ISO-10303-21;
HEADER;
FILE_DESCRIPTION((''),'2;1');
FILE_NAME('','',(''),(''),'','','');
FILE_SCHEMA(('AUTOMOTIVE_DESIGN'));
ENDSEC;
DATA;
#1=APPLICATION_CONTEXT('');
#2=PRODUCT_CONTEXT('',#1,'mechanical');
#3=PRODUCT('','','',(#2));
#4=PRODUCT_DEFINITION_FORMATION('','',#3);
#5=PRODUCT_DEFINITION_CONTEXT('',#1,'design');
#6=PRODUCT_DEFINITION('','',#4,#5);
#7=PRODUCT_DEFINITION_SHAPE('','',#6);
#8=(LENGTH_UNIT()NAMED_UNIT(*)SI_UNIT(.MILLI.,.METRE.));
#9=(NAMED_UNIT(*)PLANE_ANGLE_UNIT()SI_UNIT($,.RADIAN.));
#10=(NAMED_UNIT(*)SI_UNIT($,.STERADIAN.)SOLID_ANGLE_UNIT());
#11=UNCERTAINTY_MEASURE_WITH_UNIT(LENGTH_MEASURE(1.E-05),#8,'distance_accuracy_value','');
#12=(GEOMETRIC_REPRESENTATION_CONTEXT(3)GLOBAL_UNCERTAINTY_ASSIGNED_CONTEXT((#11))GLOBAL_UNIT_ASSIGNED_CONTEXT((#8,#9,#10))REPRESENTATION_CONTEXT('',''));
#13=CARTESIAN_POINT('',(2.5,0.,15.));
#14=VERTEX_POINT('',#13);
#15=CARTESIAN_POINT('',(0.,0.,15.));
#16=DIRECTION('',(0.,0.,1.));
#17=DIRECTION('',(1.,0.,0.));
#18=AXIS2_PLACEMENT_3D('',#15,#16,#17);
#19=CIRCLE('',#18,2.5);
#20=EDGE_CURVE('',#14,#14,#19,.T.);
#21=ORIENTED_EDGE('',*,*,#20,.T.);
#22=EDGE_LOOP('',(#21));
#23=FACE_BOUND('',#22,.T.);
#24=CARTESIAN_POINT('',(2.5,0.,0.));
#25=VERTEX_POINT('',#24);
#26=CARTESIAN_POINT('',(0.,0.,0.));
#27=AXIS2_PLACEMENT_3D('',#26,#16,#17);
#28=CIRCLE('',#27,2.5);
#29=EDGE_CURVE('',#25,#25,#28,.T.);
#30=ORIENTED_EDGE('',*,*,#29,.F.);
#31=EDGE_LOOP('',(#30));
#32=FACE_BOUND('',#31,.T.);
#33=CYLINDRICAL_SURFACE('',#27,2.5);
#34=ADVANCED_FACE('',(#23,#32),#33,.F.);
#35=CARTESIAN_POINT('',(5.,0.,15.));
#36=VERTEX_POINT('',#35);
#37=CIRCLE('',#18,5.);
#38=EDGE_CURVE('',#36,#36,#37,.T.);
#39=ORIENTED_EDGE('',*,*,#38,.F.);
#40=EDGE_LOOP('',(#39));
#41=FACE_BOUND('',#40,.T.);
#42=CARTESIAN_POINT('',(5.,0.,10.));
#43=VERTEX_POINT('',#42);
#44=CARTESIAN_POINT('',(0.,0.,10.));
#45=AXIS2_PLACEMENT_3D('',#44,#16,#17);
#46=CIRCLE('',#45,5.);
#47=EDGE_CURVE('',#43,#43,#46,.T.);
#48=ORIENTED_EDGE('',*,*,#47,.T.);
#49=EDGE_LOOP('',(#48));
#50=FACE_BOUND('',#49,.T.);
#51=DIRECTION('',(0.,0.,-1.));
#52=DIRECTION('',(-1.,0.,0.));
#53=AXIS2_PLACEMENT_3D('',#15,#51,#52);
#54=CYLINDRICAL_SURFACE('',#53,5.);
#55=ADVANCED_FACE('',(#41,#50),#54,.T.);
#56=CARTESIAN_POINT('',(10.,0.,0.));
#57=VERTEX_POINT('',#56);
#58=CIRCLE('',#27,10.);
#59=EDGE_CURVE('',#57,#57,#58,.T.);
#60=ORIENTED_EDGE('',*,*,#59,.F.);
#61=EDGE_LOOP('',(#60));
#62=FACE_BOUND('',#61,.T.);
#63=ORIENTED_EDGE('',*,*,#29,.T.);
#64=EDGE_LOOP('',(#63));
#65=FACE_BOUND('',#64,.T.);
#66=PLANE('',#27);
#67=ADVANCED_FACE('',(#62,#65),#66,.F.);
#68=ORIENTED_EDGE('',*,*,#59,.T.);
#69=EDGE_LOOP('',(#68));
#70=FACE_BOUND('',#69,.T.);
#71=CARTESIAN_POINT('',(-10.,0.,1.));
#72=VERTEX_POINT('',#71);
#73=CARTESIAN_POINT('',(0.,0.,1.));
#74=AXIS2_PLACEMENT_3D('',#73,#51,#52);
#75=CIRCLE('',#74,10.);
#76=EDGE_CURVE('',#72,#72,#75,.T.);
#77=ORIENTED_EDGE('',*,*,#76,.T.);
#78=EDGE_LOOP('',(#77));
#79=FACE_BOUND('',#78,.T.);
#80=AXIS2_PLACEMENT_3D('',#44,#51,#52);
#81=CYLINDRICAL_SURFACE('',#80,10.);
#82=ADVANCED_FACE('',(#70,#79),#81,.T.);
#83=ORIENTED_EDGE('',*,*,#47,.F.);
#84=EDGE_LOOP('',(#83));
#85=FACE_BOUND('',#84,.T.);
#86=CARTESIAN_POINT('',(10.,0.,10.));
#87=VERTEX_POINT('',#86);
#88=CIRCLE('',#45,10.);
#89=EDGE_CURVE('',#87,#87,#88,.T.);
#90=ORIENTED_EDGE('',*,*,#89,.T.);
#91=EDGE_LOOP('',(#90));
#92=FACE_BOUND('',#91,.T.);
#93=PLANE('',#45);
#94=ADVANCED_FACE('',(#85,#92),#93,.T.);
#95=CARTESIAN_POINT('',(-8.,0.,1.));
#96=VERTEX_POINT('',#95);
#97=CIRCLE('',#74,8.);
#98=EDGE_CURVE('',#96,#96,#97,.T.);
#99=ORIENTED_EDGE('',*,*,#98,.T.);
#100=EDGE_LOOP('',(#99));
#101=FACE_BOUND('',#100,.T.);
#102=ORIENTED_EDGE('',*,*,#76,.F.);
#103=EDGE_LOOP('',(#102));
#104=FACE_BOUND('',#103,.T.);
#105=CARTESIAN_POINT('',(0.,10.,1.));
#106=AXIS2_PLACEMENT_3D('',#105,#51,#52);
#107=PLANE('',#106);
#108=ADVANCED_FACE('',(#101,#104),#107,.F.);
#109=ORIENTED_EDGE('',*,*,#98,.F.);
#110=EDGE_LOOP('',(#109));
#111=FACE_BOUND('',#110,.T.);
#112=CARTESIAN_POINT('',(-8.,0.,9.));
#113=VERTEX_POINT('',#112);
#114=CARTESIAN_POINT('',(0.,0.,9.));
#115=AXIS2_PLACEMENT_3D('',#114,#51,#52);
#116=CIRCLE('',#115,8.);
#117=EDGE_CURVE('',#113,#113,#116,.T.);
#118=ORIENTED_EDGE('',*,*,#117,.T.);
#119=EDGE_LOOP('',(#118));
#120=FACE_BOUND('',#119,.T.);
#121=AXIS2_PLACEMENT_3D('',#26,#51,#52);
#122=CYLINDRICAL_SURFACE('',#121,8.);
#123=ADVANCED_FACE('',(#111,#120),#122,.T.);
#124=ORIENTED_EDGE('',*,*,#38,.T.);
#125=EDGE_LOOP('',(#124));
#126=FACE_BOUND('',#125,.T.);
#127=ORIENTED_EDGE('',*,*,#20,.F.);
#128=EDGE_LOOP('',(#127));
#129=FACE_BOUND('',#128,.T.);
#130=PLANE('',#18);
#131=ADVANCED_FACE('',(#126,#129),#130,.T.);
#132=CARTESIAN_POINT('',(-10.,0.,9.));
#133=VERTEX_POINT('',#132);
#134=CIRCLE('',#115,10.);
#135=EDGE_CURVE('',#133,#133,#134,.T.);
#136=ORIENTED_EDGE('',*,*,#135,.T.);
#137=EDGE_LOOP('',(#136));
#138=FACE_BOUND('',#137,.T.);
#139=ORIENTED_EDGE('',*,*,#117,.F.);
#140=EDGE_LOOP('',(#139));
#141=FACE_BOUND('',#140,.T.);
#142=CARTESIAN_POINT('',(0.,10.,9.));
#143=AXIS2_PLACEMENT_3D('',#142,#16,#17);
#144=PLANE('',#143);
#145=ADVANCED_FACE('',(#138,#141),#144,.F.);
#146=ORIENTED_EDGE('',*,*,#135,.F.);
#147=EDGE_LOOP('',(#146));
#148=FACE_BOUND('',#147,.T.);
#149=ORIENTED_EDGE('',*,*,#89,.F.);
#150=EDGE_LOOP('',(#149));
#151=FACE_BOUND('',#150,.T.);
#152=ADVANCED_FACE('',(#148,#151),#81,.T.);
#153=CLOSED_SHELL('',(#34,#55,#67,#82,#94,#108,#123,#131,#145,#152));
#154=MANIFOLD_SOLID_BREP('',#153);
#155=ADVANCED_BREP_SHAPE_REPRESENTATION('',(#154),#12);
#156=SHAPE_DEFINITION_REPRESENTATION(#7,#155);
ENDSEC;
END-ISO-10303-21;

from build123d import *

# Parameters (mm, degrees)
ESQUISSE1_R             = 10
BOSS_EXTRU_1_DEPTH      = 10
ESQUISSE2_R             = 5
BOSS_EXTRU_2_DEPTH      = 5
ESQUISSE3_R             = 2.5
ENL_V_MAT_EXTRU_1_DEPTH = 16
ESQUISSE4_W             = 8
ESQUISSE4_H             = 2


with BuildPart() as part:
    # Esquisse1 → Boss.-Extru.1 (new body)
    with BuildSketch(Plane.XY):
        Circle(ESQUISSE1_R)
    extrude(amount=BOSS_EXTRU_1_DEPTH)

    # Esquisse2 → Boss.-Extru.2 (add)
    with BuildSketch(Plane.XY.offset(10)):
        Circle(ESQUISSE2_R)
    extrude(amount=BOSS_EXTRU_2_DEPTH)

    # Esquisse3 → Enlèv. mat.-Extru.1 (cut, through all)
    with BuildSketch(Plane.XY.offset(15)):
        Circle(ESQUISSE3_R)
    extrude(amount=-ENL_V_MAT_EXTRU_1_DEPTH, mode=Mode.SUBTRACT)

    # Esquisse4 → Enlèvement de matière-Révolution1 (revolve, cut)
    with BuildSketch(Plane(origin=(0, 0, 0), x_dir=(0, 0, -1), z_dir=(1, 0, 0))):
        with Locations((-5, 9)):
            Rectangle(ESQUISSE4_W, ESQUISSE4_H)
    revolve(axis=Axis((0, 0, 0), (0, 0, 1)), mode=Mode.SUBTRACT)


solid = part.part
